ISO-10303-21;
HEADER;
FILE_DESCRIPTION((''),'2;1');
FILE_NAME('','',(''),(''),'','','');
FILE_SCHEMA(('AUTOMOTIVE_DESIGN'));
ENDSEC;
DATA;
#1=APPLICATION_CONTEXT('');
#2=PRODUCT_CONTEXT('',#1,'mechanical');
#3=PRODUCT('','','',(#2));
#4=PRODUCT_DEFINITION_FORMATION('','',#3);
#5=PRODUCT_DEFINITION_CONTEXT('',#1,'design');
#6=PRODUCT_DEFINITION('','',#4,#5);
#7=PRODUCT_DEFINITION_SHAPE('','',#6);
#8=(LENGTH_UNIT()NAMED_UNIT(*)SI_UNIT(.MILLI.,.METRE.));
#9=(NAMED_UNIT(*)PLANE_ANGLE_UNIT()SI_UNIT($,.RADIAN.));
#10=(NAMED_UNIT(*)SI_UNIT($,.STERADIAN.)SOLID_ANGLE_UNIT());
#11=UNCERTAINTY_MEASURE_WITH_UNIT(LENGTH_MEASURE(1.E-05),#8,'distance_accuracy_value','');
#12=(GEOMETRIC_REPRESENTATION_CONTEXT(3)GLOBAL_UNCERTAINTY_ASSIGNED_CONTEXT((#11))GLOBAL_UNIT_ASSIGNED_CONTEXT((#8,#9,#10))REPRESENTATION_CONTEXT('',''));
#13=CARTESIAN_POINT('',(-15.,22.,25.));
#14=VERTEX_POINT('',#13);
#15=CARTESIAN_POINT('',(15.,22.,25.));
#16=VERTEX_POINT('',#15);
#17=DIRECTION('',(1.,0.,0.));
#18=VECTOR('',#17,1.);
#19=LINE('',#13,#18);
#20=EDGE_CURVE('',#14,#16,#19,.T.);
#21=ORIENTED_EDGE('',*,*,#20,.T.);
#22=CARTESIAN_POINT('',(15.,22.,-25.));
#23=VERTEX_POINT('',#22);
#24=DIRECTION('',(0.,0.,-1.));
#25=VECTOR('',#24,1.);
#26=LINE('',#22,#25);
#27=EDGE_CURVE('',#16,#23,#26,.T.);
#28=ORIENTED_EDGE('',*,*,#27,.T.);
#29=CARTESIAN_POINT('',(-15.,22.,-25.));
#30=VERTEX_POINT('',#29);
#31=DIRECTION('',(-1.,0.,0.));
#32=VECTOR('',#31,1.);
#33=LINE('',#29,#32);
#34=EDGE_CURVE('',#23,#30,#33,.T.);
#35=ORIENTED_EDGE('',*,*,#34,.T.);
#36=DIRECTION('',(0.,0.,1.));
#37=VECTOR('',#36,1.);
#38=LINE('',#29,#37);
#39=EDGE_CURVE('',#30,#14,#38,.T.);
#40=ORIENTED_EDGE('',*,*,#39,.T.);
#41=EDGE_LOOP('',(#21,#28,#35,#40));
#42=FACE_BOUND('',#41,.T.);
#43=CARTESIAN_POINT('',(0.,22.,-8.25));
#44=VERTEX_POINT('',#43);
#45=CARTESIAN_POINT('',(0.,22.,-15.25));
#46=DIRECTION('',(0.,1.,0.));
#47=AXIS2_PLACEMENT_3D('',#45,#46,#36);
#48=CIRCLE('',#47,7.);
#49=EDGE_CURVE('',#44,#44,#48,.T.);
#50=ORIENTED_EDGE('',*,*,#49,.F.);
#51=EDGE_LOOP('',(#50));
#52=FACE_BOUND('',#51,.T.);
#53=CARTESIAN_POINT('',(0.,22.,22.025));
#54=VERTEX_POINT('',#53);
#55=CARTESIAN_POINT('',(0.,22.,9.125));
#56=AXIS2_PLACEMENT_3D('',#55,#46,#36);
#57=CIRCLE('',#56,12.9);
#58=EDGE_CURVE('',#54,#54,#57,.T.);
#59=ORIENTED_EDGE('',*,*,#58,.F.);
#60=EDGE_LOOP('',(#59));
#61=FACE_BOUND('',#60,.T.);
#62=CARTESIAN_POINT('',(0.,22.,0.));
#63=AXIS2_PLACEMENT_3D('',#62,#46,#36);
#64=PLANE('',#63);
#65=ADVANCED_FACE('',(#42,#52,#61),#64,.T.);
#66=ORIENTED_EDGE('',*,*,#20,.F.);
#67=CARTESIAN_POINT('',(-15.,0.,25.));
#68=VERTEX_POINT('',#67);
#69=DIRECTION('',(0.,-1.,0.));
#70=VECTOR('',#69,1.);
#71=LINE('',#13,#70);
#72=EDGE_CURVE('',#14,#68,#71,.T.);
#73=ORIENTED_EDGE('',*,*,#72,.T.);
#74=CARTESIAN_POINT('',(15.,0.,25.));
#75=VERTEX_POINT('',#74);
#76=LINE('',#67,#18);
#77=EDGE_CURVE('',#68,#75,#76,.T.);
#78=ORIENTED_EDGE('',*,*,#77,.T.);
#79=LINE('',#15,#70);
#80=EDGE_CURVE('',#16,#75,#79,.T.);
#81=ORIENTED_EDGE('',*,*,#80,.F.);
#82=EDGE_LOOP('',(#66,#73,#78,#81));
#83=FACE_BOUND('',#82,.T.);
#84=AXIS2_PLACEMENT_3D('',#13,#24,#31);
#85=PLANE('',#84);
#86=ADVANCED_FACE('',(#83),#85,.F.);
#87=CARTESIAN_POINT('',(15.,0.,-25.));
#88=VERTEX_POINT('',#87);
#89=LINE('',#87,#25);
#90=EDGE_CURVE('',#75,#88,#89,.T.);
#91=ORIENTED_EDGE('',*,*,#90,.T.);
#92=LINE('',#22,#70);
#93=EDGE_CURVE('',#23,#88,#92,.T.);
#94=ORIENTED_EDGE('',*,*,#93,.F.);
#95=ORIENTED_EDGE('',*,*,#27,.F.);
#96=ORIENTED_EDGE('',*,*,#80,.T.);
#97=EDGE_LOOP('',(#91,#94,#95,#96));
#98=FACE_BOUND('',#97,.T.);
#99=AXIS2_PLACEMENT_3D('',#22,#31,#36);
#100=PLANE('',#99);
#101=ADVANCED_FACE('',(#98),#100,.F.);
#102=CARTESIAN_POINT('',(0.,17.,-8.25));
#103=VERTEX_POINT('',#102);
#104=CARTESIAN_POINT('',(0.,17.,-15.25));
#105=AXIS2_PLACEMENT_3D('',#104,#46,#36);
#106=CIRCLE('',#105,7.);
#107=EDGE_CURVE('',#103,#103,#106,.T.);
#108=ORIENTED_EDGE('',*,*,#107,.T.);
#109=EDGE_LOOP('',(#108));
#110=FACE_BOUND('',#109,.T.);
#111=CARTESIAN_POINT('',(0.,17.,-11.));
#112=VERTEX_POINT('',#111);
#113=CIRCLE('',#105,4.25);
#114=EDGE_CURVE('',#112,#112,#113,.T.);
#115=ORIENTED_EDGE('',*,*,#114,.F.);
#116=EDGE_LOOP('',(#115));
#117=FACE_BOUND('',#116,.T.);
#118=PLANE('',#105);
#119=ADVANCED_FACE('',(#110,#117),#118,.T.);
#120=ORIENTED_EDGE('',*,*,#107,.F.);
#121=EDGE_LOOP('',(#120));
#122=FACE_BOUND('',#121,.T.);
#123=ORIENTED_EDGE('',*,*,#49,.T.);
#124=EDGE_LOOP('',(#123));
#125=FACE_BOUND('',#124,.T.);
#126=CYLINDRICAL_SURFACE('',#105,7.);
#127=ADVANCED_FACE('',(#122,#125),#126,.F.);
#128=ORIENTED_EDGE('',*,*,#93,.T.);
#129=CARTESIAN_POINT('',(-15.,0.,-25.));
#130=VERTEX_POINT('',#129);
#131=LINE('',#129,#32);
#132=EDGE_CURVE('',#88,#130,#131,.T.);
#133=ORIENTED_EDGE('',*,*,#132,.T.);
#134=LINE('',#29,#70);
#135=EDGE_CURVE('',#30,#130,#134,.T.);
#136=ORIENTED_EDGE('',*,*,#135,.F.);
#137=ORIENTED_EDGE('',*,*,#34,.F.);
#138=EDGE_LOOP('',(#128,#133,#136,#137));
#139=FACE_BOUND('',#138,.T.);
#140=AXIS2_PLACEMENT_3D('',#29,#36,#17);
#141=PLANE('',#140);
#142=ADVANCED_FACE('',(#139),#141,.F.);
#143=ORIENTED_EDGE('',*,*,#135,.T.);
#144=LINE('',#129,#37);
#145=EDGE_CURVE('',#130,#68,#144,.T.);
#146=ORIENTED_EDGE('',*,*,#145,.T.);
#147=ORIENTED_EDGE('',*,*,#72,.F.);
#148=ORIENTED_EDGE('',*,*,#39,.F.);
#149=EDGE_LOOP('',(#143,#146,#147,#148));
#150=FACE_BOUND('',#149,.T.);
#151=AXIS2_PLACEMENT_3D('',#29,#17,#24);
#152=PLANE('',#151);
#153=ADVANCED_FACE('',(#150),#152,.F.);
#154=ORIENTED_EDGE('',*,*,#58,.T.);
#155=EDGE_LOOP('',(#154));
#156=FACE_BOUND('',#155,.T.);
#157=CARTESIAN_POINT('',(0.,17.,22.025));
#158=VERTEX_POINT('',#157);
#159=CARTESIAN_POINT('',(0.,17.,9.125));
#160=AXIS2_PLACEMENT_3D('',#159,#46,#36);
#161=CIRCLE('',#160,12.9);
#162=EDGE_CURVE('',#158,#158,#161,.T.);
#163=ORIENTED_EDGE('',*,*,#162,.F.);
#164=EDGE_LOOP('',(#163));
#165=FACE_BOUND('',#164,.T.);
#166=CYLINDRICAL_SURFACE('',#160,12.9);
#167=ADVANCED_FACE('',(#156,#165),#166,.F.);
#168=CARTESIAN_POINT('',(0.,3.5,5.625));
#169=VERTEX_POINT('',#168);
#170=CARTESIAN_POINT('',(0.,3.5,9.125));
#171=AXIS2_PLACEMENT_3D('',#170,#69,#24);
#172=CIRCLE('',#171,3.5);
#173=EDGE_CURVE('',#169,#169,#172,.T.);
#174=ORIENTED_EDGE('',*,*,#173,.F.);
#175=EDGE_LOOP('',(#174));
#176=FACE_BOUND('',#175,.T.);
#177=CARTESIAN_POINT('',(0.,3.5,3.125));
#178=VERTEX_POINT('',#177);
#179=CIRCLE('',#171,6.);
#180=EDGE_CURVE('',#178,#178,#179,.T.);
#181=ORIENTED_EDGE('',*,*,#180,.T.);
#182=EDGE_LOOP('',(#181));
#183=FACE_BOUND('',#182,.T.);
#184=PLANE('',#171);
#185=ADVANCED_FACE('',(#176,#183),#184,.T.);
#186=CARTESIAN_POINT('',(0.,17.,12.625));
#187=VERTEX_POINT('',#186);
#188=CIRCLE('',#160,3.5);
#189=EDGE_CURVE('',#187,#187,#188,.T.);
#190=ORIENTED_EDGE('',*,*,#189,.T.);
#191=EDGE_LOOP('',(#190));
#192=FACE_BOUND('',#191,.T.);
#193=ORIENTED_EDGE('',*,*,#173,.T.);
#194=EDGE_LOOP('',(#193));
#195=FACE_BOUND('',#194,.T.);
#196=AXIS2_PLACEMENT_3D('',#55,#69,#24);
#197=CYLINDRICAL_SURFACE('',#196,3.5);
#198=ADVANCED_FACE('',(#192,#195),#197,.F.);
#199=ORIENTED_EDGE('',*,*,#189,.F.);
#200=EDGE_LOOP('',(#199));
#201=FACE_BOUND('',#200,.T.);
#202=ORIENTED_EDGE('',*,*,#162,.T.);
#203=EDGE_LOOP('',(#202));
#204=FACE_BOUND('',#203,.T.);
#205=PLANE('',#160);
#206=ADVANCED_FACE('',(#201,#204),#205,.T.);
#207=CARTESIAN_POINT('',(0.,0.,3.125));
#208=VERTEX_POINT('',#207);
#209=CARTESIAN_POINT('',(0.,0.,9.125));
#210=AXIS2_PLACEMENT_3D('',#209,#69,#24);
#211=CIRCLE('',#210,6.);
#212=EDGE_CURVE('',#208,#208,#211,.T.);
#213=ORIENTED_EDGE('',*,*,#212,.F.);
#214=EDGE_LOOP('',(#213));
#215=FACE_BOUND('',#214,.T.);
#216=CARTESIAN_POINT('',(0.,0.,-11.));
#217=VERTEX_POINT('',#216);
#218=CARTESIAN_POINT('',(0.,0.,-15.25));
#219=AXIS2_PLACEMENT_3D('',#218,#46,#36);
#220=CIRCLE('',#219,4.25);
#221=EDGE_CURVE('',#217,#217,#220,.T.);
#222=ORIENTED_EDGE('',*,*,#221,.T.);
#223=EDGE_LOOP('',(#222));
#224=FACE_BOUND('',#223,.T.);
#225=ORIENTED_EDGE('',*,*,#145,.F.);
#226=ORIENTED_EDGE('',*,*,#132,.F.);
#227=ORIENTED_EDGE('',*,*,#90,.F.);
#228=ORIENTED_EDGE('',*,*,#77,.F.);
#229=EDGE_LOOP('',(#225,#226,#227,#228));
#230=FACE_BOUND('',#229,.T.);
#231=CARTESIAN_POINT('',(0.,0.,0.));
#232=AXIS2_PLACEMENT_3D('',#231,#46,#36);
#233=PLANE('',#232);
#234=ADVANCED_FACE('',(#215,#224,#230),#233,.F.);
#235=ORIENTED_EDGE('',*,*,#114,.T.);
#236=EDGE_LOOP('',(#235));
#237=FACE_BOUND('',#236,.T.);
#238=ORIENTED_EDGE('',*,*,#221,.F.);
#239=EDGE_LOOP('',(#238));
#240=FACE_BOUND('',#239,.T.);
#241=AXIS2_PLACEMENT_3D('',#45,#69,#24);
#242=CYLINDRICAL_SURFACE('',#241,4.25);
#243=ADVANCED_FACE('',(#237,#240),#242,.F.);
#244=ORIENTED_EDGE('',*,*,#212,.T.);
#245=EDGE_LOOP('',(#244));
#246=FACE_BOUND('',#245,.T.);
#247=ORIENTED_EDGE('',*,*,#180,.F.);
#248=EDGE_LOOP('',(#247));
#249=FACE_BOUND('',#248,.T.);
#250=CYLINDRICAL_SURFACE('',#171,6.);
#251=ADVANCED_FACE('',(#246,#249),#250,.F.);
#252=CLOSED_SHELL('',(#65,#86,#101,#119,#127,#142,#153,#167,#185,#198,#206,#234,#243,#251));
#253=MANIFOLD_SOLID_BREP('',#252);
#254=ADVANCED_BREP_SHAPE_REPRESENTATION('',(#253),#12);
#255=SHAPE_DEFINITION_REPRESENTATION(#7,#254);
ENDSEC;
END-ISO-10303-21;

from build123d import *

# Parameters (mm, degrees)
SKETCH_1_W          = 30
SKETCH_1_H          = 50
SKETCH_1_R          = 3.5
SKETCH_1_R_2        = 4.25
EXTRUDE_1_DEPTH     = 22
SKETCH_2_R          = 12.9
CUT_EXTRUDE_1_DEPTH = 5
SKETCH_3_R          = 6
CUT_EXTRUDE_2_DEPTH = 3.5
SKETCH_4_R          = 7
CUT_EXTRUDE_3_DEPTH = 5


with BuildPart() as part:
    # 草图1 → 凸台-拉伸1 (new body)
    with BuildSketch(Plane(origin=(0, 0, 0), x_dir=(1, 0, 0), z_dir=(0, 1, 0))):
        Rectangle(SKETCH_1_W, SKETCH_1_H)
        with Locations((0, -9.125)):
            Circle(SKETCH_1_R, mode=Mode.SUBTRACT)
        with Locations((0, 15.25)):
            Circle(SKETCH_1_R_2, mode=Mode.SUBTRACT)
    extrude(amount=EXTRUDE_1_DEPTH)

    # 草图2 → 切除-拉伸1 (cut)
    with BuildSketch(Plane(origin=(0, 22, 0), x_dir=(1, 0, 0), z_dir=(0, 1, 0))):
        with Locations((0, -9.125)):
            Circle(SKETCH_2_R)
    extrude(amount=-CUT_EXTRUDE_1_DEPTH, mode=Mode.SUBTRACT)

    # 草图3 → 切除-拉伸2 (cut)
    with BuildSketch(Plane.XZ):
        with Locations((0, 9.125)):
            Circle(SKETCH_3_R)
    extrude(amount=-CUT_EXTRUDE_2_DEPTH, mode=Mode.SUBTRACT)

    # 草图4 → 切除-拉伸3 (cut)
    with BuildSketch(Plane(origin=(0, 22, 0), x_dir=(1, 0, 0), z_dir=(0, 1, 0))):
        with Locations((0, 15.25)):
            Circle(SKETCH_4_R)
    extrude(amount=-CUT_EXTRUDE_3_DEPTH, mode=Mode.SUBTRACT)


solid = part.part
